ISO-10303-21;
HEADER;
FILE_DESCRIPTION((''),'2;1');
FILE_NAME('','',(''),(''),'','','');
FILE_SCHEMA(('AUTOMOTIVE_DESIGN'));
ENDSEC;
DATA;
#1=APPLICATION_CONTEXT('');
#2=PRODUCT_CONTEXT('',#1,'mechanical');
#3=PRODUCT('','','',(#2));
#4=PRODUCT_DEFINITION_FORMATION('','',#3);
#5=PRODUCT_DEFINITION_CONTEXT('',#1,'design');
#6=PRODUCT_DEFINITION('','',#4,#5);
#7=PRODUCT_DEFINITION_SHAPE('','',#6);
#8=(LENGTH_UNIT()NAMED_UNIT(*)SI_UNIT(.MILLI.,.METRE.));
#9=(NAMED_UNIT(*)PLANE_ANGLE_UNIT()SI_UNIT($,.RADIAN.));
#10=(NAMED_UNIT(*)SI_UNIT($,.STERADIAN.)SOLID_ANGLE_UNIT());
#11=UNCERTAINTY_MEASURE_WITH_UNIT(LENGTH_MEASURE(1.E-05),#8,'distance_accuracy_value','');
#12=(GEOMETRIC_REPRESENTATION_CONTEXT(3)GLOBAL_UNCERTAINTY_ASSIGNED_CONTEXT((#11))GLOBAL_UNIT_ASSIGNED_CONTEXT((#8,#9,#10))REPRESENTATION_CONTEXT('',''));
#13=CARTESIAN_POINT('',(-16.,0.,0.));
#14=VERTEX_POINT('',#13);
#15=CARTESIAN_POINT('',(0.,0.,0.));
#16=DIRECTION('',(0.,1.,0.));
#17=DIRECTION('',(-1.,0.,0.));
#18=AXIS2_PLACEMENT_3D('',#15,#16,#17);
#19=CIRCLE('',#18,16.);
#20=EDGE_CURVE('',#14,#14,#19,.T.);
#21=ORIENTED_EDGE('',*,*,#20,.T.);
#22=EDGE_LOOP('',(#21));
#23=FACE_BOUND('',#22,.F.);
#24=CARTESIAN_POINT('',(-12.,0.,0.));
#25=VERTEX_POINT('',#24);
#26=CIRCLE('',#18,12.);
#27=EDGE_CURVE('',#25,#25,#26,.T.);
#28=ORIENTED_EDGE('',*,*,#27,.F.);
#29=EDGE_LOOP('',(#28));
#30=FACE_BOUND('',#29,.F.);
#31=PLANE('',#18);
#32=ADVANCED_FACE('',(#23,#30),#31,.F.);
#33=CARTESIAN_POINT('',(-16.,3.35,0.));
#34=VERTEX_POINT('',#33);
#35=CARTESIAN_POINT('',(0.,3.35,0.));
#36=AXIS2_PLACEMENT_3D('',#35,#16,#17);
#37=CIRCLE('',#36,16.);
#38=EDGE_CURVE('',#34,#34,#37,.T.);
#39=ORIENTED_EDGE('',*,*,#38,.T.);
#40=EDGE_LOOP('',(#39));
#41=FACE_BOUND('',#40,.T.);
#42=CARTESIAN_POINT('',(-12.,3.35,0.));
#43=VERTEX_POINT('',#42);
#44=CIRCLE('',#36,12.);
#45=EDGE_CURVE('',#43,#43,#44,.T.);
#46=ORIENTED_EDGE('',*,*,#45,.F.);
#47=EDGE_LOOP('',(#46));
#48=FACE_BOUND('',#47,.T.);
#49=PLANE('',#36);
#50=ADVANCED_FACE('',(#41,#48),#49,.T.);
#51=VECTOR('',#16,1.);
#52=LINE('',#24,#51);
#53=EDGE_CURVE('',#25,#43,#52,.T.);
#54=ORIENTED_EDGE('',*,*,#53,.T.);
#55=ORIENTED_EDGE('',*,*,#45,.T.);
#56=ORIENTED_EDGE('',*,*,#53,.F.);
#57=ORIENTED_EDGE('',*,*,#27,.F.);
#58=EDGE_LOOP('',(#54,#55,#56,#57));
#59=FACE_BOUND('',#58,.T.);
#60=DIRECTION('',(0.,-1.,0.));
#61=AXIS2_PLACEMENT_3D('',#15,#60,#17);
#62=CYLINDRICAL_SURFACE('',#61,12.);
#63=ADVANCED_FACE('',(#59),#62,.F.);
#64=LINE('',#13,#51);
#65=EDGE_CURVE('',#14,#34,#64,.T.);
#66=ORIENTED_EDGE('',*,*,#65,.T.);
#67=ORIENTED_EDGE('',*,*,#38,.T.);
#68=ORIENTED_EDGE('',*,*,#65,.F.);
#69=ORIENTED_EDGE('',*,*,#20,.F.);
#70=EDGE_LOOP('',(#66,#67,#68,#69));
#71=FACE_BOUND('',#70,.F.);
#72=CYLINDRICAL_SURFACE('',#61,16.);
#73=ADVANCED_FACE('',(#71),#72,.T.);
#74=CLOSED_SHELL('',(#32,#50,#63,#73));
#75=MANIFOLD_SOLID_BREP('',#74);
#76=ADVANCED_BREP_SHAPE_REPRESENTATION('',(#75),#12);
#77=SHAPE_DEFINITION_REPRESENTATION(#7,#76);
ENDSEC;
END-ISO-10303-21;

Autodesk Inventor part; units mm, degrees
ref_plane "YZ Plane" through (0, 0, 0) normal (1, 0, 0) x (0, 1, 0)
ref_plane "XZ Plane" through (0, 0, 0) normal (0, 1, 0) x (-1, 0, 0)
ref_plane "XY Plane" through (0, 0, 0) normal (0, 0, 1) x (1, 0, 0)
sketch "Sketch1" plane through (0, 0, 0) normal (0, 1, 0) x (-1, 0, 0)
  circle A0 centre (0, 0) radius 12
  circle A1 centre (0, 0) radius 16
  dimension "d0" = 24
  dimension "d1" = 32
extrude "Extrusion1" add sketch "Sketch1" along normal blind 3.35
properties part number "spacer_washer"
